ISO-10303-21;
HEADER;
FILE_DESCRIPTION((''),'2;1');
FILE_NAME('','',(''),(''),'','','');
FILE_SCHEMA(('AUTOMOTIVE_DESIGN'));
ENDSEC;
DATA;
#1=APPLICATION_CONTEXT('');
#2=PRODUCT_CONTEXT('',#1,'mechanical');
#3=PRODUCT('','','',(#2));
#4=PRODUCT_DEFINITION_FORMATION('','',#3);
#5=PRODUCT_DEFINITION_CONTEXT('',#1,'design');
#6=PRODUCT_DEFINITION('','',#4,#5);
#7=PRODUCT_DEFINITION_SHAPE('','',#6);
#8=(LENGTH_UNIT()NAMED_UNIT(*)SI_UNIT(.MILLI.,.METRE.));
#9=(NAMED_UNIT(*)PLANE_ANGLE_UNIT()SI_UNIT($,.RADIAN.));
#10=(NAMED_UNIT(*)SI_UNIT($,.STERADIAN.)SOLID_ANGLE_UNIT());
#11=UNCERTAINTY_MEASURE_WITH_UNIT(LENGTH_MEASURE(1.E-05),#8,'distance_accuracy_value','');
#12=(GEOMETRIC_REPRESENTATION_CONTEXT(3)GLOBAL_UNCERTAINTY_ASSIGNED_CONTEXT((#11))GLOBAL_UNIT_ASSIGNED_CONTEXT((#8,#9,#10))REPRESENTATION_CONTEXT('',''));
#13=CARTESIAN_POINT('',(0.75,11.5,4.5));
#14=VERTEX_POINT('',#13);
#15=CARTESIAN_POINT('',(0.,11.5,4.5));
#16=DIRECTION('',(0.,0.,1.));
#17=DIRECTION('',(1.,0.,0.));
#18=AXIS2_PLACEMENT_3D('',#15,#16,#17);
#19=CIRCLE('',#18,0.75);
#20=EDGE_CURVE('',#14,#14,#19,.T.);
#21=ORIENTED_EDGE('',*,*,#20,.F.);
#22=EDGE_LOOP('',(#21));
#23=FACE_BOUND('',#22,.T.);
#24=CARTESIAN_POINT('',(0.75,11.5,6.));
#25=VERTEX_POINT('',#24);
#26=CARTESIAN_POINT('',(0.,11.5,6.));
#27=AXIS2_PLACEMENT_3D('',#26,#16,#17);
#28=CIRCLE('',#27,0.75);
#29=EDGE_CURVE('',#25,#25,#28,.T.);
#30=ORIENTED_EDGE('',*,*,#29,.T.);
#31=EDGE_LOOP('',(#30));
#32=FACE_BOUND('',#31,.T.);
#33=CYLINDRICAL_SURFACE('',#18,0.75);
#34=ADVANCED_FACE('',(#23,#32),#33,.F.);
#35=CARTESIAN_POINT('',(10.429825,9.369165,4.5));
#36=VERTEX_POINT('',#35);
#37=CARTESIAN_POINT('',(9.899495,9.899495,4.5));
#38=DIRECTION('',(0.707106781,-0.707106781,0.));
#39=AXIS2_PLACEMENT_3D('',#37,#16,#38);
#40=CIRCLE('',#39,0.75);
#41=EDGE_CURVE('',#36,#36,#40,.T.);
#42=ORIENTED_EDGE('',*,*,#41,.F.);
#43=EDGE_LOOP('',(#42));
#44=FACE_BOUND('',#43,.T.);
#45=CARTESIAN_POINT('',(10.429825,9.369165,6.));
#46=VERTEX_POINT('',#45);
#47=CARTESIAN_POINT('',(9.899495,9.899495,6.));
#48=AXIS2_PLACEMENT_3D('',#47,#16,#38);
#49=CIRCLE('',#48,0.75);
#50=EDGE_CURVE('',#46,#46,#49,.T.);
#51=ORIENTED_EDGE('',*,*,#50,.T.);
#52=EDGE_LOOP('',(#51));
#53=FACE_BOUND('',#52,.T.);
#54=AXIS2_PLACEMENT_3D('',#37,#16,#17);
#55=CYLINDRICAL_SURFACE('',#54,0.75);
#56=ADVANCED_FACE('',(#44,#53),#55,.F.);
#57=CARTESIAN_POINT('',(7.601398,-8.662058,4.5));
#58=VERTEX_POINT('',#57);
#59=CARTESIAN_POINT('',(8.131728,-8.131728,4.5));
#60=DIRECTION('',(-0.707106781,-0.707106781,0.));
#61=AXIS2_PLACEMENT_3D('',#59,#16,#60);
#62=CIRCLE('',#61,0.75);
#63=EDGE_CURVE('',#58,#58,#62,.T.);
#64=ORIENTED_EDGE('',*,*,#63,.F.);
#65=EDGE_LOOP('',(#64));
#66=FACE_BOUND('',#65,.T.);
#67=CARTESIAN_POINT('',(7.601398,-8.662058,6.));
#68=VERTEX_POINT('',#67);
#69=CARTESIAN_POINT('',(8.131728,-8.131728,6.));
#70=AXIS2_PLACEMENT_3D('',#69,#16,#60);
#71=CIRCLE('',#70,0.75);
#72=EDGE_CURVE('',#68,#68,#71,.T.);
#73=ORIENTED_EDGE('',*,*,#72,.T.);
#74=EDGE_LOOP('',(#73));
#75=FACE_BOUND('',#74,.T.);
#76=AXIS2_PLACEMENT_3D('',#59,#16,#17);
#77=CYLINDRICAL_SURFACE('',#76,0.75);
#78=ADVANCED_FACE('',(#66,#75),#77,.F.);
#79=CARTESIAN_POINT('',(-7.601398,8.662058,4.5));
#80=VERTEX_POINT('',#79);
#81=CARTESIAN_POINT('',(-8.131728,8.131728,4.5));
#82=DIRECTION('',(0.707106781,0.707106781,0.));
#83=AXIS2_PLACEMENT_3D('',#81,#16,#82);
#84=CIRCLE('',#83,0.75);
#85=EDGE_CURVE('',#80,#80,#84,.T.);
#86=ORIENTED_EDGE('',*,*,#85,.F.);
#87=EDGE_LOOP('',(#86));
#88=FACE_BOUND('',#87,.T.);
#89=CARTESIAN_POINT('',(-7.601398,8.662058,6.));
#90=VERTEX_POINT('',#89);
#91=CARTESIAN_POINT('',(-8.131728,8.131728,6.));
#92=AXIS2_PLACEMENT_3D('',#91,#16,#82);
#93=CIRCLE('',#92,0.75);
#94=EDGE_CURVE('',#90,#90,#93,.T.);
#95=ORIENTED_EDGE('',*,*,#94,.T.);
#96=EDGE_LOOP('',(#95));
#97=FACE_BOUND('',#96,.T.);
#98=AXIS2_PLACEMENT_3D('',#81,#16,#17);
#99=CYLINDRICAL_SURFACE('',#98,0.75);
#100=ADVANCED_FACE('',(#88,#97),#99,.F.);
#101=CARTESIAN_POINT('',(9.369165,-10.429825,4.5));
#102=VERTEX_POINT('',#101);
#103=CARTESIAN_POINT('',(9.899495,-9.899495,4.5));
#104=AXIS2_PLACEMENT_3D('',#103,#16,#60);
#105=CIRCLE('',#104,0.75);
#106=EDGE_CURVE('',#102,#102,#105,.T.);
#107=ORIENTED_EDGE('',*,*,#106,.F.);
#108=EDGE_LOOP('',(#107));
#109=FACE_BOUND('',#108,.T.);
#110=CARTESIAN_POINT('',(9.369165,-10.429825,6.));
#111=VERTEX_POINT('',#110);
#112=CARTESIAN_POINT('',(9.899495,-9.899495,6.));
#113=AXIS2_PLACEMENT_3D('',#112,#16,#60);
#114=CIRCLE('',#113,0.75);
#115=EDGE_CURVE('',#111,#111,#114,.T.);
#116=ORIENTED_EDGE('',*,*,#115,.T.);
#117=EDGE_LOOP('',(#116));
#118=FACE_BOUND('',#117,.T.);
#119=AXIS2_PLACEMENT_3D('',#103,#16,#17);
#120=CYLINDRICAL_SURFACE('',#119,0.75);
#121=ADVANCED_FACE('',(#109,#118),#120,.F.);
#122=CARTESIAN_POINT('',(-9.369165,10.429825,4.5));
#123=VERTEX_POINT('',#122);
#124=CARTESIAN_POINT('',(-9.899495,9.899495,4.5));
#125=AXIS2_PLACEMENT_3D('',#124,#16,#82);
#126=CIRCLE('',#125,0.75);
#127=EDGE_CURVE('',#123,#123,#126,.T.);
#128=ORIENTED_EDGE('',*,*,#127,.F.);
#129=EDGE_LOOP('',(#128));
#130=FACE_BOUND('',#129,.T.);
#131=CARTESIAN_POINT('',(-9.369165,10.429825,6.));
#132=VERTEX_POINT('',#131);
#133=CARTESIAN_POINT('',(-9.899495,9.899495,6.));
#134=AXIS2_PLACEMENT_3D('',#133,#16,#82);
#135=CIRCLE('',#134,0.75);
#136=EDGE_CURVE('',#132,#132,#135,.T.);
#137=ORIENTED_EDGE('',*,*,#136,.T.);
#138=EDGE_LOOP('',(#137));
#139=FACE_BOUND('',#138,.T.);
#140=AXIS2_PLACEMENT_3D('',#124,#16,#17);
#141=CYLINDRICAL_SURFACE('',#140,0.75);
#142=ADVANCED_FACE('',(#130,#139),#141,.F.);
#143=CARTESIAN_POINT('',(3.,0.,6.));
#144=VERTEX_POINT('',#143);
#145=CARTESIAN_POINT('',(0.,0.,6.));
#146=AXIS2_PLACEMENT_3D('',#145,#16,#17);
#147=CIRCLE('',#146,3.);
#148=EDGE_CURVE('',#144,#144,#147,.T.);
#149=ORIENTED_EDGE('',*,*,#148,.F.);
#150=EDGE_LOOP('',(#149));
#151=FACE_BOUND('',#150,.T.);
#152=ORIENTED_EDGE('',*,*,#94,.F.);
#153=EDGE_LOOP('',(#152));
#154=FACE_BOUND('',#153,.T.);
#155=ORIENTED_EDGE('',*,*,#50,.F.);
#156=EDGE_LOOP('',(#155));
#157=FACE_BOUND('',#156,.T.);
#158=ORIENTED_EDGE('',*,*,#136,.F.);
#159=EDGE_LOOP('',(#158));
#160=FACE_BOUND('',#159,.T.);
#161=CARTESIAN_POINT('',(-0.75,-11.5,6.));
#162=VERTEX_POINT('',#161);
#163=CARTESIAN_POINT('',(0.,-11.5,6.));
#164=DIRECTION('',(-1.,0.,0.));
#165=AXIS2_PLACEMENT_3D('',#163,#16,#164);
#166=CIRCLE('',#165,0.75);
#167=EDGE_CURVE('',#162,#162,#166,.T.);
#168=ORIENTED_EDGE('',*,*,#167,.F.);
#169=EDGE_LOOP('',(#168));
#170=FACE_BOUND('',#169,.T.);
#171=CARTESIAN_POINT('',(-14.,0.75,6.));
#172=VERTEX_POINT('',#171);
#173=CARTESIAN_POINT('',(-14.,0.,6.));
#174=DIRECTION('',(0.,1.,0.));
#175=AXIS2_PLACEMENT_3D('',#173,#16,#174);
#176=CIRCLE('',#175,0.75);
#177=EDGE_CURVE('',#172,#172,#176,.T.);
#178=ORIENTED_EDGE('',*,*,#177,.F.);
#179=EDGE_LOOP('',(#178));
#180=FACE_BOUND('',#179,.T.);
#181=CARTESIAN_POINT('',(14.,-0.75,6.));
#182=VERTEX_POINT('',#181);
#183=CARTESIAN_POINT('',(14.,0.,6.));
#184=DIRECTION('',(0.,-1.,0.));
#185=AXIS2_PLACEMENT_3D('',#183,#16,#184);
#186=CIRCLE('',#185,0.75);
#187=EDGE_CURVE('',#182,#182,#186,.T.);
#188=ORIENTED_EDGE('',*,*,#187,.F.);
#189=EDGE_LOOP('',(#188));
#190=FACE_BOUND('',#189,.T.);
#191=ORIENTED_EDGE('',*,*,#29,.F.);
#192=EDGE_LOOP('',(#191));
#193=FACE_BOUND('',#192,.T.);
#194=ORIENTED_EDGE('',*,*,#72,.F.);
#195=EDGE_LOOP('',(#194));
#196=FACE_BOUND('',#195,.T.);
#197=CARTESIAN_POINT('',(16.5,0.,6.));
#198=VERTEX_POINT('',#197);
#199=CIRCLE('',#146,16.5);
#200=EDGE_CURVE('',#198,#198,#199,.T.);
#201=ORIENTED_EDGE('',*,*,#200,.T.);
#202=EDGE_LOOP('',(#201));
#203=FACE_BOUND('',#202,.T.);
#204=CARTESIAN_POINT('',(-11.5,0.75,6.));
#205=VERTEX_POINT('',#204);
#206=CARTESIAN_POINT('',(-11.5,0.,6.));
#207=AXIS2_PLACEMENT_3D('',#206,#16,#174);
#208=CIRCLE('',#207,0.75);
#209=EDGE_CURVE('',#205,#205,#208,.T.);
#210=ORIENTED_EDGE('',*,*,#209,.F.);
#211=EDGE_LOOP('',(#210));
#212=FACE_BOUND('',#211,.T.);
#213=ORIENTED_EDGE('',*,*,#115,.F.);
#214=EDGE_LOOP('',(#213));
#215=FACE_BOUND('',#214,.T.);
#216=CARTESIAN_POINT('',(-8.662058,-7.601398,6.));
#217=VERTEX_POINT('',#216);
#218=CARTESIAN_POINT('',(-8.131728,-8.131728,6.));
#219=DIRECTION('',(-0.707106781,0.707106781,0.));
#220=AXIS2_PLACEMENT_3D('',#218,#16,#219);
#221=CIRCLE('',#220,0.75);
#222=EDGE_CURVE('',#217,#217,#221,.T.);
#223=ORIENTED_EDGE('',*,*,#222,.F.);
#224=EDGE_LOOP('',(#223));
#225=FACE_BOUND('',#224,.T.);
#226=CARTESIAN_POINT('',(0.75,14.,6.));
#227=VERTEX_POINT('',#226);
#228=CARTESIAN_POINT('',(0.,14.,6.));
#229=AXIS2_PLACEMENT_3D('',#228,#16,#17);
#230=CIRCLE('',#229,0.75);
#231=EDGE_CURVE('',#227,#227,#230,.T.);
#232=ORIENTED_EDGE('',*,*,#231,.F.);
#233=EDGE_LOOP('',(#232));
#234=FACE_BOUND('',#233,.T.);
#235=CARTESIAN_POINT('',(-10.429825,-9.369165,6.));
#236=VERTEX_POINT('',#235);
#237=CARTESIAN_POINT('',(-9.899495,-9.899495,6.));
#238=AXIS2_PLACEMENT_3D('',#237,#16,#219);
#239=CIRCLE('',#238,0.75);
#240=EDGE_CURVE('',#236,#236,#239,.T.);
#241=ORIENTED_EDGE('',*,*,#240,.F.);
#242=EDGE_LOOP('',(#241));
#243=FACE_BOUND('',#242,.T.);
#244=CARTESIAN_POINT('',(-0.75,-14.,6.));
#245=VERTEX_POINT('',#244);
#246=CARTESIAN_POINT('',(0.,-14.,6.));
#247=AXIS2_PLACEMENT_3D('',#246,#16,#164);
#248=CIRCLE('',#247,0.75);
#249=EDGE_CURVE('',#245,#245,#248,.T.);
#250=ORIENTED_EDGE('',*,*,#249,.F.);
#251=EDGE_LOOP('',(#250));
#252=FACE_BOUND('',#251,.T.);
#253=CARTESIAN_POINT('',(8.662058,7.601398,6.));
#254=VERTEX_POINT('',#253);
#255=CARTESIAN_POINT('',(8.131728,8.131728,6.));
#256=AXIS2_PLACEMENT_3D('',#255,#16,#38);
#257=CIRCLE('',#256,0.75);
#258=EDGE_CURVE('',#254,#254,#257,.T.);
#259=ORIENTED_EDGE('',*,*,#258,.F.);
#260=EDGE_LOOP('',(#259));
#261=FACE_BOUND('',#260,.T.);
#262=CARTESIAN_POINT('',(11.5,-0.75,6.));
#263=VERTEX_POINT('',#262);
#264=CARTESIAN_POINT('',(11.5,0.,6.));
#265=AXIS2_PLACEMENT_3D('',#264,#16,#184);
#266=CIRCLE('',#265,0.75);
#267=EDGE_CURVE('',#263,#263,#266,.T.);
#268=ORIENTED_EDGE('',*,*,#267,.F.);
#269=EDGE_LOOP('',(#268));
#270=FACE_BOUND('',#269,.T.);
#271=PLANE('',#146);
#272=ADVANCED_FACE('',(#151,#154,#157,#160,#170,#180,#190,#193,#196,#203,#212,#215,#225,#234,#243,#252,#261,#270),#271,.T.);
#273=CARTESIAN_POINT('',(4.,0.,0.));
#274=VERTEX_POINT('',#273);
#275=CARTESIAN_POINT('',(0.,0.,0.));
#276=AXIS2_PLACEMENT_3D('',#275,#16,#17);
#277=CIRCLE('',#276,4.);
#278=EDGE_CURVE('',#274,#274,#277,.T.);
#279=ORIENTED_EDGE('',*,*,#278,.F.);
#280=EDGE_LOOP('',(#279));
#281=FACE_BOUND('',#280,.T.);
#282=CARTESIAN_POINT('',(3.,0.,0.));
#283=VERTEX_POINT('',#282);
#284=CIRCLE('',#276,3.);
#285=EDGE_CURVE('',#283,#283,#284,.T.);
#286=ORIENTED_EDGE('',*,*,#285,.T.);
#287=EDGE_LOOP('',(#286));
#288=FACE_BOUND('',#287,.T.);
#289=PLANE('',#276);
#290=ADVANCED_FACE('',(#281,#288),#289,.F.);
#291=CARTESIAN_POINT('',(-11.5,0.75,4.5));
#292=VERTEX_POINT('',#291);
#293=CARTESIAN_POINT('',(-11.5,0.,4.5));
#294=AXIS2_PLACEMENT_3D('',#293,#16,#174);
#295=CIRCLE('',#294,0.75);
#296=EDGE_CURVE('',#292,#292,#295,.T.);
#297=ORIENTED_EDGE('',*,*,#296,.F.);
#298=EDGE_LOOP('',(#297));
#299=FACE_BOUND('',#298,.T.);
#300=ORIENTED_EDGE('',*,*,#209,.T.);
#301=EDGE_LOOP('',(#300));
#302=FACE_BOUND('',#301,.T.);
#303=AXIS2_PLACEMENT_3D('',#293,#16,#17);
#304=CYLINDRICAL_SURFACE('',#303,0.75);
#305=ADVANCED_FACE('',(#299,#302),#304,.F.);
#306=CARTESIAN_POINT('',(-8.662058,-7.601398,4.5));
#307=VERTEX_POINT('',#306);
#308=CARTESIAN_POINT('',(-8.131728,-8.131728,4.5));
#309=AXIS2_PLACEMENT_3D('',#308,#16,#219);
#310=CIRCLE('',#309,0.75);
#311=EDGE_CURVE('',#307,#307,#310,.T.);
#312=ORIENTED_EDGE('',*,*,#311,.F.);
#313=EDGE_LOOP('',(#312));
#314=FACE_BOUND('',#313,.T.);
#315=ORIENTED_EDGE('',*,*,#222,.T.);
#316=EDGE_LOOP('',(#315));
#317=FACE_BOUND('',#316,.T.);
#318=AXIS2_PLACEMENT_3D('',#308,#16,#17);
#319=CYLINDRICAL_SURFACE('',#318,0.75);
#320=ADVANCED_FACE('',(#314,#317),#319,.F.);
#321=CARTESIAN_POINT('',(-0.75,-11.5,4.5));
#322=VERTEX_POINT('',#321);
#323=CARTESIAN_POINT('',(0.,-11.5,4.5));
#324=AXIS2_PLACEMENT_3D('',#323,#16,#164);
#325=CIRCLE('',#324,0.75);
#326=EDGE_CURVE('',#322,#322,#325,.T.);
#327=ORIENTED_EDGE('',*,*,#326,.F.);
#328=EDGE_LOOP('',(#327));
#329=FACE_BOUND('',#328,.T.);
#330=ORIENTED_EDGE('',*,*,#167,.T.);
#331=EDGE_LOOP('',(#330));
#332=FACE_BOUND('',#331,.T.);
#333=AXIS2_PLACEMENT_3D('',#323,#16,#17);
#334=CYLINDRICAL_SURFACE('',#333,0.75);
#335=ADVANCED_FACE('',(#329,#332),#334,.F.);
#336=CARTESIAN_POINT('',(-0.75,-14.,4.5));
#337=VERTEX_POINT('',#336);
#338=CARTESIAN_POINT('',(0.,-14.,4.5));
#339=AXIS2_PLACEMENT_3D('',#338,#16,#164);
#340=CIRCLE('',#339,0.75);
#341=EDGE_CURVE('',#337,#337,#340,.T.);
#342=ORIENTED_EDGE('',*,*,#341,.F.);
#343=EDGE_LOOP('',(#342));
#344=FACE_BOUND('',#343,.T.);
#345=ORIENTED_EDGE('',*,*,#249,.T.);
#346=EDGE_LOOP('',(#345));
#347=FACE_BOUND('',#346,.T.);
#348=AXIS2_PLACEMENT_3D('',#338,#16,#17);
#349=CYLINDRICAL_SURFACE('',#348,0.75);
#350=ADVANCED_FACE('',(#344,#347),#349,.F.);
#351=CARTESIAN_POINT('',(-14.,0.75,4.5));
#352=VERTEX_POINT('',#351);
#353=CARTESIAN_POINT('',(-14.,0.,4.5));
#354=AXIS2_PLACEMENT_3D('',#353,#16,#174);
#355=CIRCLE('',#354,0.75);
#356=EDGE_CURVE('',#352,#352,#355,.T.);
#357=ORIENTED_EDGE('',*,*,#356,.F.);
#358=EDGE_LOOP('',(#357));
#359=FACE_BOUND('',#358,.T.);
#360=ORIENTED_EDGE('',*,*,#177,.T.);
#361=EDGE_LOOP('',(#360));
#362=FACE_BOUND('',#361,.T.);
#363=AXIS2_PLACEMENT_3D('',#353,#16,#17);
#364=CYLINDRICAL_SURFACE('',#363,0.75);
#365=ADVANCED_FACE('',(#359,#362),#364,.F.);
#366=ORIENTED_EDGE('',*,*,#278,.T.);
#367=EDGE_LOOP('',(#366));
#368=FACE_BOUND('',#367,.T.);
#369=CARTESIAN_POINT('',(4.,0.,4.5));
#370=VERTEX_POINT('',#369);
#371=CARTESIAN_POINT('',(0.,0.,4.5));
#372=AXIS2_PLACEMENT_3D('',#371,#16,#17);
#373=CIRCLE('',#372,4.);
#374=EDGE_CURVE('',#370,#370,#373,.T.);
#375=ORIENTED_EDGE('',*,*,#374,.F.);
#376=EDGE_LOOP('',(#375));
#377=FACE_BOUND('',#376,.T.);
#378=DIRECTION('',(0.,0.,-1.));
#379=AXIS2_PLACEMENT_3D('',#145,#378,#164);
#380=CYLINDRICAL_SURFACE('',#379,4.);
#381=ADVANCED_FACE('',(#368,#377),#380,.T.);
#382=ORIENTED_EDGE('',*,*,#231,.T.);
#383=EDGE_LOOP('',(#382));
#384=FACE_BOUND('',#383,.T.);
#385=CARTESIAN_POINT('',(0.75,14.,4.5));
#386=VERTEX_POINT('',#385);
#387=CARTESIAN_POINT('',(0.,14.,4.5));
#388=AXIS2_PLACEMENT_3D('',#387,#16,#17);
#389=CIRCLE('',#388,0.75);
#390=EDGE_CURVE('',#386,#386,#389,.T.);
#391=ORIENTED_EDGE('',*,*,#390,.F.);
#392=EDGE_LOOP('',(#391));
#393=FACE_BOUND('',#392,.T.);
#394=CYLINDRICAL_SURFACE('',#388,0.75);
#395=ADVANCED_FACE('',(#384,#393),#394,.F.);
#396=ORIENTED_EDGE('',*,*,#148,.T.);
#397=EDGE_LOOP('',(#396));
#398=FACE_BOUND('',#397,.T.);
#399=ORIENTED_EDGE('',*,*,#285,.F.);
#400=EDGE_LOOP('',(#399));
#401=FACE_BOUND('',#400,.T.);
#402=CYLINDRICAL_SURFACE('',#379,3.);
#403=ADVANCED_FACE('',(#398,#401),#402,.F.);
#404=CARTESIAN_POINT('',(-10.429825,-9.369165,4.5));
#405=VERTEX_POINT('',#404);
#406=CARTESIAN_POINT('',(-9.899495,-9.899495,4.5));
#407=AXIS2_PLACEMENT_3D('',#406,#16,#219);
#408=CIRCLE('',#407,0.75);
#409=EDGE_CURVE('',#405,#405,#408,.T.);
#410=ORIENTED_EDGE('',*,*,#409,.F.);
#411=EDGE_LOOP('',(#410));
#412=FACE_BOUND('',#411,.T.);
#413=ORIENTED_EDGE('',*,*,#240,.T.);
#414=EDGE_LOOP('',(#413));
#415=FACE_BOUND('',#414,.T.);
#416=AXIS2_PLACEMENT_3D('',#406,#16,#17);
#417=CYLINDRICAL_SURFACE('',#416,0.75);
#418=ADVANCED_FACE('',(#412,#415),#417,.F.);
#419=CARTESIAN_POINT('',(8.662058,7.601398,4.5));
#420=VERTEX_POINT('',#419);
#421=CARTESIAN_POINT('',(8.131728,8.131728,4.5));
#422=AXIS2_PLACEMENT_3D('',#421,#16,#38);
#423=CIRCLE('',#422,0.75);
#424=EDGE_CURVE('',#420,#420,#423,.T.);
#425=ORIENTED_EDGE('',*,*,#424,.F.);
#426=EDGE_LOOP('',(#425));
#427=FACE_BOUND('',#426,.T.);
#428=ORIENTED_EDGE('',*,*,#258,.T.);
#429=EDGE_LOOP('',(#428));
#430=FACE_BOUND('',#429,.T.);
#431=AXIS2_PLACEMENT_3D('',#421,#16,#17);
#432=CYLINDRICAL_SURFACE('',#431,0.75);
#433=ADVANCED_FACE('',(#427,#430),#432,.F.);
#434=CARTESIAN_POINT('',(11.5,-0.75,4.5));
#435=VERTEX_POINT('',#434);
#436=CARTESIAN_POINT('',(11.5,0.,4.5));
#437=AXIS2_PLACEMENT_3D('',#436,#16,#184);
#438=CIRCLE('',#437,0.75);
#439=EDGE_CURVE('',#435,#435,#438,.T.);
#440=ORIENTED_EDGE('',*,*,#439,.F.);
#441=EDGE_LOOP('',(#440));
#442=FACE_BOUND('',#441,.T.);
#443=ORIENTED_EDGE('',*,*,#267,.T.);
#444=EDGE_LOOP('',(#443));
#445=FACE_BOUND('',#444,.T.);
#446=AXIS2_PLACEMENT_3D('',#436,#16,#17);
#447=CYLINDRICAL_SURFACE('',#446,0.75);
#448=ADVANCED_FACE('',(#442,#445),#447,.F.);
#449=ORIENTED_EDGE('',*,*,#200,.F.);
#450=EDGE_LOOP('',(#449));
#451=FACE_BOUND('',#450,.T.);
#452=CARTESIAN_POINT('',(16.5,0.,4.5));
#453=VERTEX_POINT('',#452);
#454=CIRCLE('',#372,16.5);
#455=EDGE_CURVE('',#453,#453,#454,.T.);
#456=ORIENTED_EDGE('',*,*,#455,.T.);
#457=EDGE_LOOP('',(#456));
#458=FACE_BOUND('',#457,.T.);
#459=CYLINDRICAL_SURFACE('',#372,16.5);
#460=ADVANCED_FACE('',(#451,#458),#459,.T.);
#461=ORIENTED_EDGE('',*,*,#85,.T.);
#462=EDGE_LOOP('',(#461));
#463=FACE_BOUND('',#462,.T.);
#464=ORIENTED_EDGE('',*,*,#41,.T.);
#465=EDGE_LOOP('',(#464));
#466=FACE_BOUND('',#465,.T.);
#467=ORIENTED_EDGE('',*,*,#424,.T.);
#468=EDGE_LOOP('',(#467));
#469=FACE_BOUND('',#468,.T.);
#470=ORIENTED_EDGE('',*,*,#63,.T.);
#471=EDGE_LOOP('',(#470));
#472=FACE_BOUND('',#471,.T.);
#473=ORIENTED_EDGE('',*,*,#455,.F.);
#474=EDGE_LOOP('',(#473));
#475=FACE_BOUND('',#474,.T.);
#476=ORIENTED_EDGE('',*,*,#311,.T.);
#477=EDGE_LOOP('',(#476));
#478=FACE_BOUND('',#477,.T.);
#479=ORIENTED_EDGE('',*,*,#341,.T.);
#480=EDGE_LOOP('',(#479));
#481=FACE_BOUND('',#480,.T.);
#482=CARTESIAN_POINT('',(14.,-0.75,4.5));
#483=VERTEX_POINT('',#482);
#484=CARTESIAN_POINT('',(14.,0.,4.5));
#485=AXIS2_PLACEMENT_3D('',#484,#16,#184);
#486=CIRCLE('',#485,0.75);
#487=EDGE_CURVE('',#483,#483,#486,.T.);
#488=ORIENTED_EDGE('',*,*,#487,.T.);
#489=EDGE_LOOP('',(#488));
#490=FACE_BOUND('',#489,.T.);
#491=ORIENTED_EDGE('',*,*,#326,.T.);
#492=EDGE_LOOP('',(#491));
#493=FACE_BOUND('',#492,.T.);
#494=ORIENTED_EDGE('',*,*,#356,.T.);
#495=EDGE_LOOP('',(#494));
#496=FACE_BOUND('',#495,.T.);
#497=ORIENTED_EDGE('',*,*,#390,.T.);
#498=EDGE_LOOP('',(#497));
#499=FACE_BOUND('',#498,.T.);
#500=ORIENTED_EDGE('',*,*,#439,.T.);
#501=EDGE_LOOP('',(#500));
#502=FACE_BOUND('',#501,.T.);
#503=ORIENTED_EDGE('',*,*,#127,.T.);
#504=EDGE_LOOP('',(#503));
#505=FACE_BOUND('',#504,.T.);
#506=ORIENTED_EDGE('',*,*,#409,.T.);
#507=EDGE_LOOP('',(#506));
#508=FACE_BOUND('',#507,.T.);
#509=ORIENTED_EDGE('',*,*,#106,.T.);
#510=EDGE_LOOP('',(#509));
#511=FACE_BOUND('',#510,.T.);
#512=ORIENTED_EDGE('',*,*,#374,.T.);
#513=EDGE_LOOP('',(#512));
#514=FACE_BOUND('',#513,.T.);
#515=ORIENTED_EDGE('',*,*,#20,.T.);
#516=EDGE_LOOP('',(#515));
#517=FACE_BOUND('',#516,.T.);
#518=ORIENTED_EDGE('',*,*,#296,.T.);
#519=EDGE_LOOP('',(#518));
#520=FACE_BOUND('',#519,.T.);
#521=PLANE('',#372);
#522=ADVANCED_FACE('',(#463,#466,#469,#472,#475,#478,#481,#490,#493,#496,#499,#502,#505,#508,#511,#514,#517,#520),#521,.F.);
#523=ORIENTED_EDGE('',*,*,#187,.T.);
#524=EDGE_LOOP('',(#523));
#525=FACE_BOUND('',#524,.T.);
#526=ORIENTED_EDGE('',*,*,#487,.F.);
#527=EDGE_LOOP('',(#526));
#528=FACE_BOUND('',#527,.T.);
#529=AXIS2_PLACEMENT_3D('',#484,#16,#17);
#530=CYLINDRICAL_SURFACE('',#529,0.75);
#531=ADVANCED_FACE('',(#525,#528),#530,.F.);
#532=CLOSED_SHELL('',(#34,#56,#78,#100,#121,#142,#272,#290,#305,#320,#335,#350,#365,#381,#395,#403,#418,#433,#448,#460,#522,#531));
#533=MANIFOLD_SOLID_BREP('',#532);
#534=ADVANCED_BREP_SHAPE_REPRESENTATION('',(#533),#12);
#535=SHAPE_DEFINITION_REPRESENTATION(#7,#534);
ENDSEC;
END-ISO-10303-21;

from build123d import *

# Parameters (mm, degrees)
SKETCH_1_R               = 4
SKETCH_1_R_2             = 3
EXTRUDE_1_DEPTH          = 6
EXTRUDE_START            = -1.5
SKETCH_2_R               = 16.5
SKETCH_2_R_2             = 4
EXTRUDE_2_DEPTH          = 1.5
SKETCH_4_R               = 0.75
CUT_EXTRUDE_1_DEPTH      = 1.5
PATTERN_CIRCULAR_1_COUNT = 8


with BuildPart() as part:
    # 草图1 → 凸台-拉伸1 (new body)
    with BuildSketch(Plane.XY):
        Circle(SKETCH_1_R)
        Circle(SKETCH_1_R_2, mode=Mode.SUBTRACT)
    extrude(amount=EXTRUDE_1_DEPTH)

    # 草图2 → 凸台-拉伸2 (add)
    with BuildSketch(Plane.XY.offset(6).offset(EXTRUDE_START)):
        Circle(SKETCH_2_R)
        Circle(SKETCH_2_R_2, mode=Mode.SUBTRACT)
    extrude(amount=EXTRUDE_2_DEPTH)

    # 草图4 → 切除-拉伸1 (cut)
    with BuildSketch(Plane.XY.offset(6)):
        with Locations((0, 14)):
            Circle(SKETCH_4_R)
        with Locations((0, 11.5)):
            Circle(SKETCH_4_R)
    cut_extrude_1 = extrude(amount=-CUT_EXTRUDE_1_DEPTH, mode=Mode.SUBTRACT)

    # 阵列(圆周)1: 切除-拉伸1 ×8 about axis
    pattern_circular_1_axis = Axis((0, 0, 4.5), (0, 0, 1))
    for i in range(1, PATTERN_CIRCULAR_1_COUNT):
        add(cut_extrude_1.rotate(pattern_circular_1_axis, i * 360 / PATTERN_CIRCULAR_1_COUNT), mode=Mode.SUBTRACT)


solid = part.part
